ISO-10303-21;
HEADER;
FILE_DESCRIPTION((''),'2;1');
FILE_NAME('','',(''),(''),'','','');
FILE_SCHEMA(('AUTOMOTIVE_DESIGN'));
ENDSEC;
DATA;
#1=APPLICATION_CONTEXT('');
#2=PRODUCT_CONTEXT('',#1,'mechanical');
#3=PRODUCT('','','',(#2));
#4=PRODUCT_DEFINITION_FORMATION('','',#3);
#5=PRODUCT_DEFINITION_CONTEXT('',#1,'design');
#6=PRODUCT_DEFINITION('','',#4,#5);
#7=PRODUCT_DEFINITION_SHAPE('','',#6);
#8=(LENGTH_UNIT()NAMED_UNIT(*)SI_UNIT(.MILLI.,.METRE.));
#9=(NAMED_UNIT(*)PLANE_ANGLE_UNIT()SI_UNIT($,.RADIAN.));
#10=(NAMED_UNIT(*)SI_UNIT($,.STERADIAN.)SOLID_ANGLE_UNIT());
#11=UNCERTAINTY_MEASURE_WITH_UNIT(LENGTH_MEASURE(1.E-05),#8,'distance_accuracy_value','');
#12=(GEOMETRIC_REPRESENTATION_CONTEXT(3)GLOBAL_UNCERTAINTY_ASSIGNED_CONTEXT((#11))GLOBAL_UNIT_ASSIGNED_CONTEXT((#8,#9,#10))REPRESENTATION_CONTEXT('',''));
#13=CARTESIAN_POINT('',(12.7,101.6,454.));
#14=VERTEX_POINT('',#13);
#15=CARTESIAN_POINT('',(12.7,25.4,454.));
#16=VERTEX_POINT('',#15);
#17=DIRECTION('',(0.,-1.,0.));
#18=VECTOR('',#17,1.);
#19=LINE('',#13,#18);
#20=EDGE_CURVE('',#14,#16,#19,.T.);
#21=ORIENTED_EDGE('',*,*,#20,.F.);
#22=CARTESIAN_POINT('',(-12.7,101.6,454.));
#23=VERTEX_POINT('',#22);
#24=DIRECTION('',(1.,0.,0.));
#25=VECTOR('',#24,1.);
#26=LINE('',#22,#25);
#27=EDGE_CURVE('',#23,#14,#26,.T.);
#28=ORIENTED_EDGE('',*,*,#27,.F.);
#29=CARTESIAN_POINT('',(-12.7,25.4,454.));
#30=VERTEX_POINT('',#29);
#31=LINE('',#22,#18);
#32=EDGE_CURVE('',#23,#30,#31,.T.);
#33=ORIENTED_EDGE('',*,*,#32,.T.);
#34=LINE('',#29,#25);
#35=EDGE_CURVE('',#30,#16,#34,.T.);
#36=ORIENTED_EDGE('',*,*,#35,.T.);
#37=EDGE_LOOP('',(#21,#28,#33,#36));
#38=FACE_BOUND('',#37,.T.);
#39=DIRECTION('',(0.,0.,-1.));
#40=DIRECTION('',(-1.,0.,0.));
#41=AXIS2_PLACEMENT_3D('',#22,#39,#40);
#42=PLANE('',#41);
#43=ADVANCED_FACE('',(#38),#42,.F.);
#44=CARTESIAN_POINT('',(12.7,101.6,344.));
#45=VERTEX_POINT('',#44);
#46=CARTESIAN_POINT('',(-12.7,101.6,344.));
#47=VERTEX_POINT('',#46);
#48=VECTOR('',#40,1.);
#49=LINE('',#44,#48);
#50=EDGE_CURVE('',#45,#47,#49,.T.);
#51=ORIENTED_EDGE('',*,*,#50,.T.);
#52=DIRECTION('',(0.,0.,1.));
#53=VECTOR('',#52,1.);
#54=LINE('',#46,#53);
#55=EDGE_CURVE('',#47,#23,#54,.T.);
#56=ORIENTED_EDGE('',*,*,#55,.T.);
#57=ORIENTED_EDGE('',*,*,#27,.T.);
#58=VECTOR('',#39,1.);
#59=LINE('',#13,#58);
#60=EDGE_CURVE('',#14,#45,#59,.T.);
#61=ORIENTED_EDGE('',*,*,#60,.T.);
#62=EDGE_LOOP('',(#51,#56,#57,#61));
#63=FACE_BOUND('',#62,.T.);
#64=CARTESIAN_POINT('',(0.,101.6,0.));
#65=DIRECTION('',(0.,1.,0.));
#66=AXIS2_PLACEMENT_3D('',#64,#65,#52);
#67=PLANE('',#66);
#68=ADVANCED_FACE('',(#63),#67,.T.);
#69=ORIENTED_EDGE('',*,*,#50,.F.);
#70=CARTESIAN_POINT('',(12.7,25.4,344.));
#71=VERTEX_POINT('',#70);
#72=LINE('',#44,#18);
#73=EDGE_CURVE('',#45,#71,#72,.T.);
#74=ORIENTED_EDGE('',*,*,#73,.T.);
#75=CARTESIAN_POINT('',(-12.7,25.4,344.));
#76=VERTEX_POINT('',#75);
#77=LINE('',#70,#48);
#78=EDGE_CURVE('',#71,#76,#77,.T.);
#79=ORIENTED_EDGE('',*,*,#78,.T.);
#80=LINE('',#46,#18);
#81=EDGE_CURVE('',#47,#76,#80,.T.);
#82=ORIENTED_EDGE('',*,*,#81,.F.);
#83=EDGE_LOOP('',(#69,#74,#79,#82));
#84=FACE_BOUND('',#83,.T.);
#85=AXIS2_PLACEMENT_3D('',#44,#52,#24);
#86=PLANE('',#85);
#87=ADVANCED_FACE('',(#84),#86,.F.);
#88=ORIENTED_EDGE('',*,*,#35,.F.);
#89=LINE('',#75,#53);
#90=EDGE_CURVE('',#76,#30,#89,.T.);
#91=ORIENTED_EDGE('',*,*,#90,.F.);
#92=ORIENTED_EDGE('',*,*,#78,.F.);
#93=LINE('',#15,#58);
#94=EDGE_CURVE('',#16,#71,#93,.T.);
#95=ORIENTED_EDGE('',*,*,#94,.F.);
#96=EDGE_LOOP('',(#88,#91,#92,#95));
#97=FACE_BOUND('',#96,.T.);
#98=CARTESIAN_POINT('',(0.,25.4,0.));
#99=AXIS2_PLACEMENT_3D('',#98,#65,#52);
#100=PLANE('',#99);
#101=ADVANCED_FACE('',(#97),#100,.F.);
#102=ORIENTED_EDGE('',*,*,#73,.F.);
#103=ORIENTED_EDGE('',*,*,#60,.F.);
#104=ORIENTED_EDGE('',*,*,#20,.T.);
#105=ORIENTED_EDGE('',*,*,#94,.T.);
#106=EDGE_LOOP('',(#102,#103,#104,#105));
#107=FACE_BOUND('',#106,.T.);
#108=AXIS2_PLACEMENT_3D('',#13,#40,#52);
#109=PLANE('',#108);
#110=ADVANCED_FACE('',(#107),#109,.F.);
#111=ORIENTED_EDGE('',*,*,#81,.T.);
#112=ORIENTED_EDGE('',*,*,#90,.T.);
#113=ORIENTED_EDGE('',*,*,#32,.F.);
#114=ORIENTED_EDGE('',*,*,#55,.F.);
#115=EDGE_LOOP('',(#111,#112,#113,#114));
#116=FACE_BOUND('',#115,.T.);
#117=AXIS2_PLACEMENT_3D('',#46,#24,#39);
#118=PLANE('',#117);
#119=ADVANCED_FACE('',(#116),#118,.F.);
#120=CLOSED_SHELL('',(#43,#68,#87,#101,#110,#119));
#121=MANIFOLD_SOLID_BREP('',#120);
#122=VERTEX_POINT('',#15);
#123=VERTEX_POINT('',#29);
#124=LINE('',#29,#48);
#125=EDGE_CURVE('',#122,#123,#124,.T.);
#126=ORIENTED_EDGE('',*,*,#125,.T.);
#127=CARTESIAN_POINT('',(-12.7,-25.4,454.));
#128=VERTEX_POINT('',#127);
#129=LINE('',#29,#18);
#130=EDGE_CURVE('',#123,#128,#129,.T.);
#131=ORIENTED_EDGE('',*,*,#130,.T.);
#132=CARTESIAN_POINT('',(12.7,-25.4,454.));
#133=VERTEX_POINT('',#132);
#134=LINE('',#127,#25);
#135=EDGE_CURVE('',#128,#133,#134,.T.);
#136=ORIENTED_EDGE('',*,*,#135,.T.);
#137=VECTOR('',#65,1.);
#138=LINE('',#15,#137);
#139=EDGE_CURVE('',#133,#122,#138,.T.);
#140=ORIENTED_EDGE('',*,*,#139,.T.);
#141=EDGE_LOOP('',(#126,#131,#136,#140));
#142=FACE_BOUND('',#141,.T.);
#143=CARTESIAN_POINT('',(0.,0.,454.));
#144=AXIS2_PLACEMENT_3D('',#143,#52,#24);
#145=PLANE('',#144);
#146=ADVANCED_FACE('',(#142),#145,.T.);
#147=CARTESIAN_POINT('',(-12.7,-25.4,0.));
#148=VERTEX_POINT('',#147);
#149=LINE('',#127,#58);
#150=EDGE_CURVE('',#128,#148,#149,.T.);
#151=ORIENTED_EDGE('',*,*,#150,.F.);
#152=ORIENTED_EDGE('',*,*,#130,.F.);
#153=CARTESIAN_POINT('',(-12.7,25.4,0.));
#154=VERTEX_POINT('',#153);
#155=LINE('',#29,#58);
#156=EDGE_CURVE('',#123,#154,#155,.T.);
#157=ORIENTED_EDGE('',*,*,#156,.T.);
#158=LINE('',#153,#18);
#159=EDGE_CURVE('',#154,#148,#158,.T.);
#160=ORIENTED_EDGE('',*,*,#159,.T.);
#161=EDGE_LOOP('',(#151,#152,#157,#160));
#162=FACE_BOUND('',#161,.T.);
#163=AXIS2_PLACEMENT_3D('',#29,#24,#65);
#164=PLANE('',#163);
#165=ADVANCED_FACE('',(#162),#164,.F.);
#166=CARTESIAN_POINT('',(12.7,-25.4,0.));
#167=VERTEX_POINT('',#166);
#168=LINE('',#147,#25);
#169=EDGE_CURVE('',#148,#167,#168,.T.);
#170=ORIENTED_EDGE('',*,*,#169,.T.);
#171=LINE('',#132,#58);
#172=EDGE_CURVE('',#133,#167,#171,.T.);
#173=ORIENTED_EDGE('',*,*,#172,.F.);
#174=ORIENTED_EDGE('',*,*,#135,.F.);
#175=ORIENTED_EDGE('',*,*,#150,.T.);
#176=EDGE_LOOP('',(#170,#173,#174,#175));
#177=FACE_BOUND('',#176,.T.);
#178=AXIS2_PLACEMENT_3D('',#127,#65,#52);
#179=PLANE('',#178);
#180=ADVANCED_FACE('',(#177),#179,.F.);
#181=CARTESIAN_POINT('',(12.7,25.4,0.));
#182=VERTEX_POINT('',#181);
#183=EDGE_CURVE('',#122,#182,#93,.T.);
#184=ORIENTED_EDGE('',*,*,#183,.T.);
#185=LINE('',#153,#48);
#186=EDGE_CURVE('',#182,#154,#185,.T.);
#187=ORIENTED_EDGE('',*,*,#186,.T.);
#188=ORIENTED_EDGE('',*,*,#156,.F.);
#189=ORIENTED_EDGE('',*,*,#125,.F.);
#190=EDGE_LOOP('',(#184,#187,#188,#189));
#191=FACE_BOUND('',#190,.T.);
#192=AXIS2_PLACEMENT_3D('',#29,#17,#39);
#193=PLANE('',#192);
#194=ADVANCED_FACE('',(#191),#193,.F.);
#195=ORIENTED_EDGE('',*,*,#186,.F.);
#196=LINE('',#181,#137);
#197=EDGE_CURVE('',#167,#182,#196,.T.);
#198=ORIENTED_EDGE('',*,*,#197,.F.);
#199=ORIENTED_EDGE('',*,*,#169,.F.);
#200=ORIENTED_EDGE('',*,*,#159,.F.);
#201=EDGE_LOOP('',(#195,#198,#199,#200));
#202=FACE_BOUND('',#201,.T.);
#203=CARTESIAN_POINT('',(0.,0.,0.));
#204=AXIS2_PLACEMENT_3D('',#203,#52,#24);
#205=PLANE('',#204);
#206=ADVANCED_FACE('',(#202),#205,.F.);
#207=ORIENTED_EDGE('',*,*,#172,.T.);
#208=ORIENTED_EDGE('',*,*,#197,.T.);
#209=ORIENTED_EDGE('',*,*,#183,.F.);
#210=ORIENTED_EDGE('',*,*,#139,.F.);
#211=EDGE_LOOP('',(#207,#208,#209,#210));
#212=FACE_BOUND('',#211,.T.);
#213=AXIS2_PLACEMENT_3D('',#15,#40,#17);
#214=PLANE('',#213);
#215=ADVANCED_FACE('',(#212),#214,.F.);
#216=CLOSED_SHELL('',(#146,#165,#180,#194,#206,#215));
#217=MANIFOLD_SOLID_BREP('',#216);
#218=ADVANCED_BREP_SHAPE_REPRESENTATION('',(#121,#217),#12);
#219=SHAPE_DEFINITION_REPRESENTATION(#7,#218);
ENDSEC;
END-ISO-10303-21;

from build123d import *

# Parameters (mm, degrees)
SKETCH1_W           = 25.4
SKETCH1_H           = 50.8
BOSS_EXTRUDE1_DEPTH = 454
SKETCH2_W           = 25.4
SKETCH2_H           = 110
BOSS_EXTRUDE2_DEPTH = 76.2


with BuildPart() as part:
    # Sketch1 → Boss-Extrude1 (new body)
    with BuildSketch(Plane.XY):
        Rectangle(SKETCH1_W, SKETCH1_H)
    extrude(amount=BOSS_EXTRUDE1_DEPTH)


with BuildPart() as body_2:
    # Sketch2 → Boss-Extrude2 (new body)
    with BuildSketch(Plane(origin=(0, 25.4, 0), x_dir=(1, 0, 0), z_dir=(0, 1, 0))):
        with Locations((0, -399)):
            Rectangle(SKETCH2_W, SKETCH2_H)
    extrude(amount=BOSS_EXTRUDE2_DEPTH)


solid = Compound([part.part, body_2.part])
